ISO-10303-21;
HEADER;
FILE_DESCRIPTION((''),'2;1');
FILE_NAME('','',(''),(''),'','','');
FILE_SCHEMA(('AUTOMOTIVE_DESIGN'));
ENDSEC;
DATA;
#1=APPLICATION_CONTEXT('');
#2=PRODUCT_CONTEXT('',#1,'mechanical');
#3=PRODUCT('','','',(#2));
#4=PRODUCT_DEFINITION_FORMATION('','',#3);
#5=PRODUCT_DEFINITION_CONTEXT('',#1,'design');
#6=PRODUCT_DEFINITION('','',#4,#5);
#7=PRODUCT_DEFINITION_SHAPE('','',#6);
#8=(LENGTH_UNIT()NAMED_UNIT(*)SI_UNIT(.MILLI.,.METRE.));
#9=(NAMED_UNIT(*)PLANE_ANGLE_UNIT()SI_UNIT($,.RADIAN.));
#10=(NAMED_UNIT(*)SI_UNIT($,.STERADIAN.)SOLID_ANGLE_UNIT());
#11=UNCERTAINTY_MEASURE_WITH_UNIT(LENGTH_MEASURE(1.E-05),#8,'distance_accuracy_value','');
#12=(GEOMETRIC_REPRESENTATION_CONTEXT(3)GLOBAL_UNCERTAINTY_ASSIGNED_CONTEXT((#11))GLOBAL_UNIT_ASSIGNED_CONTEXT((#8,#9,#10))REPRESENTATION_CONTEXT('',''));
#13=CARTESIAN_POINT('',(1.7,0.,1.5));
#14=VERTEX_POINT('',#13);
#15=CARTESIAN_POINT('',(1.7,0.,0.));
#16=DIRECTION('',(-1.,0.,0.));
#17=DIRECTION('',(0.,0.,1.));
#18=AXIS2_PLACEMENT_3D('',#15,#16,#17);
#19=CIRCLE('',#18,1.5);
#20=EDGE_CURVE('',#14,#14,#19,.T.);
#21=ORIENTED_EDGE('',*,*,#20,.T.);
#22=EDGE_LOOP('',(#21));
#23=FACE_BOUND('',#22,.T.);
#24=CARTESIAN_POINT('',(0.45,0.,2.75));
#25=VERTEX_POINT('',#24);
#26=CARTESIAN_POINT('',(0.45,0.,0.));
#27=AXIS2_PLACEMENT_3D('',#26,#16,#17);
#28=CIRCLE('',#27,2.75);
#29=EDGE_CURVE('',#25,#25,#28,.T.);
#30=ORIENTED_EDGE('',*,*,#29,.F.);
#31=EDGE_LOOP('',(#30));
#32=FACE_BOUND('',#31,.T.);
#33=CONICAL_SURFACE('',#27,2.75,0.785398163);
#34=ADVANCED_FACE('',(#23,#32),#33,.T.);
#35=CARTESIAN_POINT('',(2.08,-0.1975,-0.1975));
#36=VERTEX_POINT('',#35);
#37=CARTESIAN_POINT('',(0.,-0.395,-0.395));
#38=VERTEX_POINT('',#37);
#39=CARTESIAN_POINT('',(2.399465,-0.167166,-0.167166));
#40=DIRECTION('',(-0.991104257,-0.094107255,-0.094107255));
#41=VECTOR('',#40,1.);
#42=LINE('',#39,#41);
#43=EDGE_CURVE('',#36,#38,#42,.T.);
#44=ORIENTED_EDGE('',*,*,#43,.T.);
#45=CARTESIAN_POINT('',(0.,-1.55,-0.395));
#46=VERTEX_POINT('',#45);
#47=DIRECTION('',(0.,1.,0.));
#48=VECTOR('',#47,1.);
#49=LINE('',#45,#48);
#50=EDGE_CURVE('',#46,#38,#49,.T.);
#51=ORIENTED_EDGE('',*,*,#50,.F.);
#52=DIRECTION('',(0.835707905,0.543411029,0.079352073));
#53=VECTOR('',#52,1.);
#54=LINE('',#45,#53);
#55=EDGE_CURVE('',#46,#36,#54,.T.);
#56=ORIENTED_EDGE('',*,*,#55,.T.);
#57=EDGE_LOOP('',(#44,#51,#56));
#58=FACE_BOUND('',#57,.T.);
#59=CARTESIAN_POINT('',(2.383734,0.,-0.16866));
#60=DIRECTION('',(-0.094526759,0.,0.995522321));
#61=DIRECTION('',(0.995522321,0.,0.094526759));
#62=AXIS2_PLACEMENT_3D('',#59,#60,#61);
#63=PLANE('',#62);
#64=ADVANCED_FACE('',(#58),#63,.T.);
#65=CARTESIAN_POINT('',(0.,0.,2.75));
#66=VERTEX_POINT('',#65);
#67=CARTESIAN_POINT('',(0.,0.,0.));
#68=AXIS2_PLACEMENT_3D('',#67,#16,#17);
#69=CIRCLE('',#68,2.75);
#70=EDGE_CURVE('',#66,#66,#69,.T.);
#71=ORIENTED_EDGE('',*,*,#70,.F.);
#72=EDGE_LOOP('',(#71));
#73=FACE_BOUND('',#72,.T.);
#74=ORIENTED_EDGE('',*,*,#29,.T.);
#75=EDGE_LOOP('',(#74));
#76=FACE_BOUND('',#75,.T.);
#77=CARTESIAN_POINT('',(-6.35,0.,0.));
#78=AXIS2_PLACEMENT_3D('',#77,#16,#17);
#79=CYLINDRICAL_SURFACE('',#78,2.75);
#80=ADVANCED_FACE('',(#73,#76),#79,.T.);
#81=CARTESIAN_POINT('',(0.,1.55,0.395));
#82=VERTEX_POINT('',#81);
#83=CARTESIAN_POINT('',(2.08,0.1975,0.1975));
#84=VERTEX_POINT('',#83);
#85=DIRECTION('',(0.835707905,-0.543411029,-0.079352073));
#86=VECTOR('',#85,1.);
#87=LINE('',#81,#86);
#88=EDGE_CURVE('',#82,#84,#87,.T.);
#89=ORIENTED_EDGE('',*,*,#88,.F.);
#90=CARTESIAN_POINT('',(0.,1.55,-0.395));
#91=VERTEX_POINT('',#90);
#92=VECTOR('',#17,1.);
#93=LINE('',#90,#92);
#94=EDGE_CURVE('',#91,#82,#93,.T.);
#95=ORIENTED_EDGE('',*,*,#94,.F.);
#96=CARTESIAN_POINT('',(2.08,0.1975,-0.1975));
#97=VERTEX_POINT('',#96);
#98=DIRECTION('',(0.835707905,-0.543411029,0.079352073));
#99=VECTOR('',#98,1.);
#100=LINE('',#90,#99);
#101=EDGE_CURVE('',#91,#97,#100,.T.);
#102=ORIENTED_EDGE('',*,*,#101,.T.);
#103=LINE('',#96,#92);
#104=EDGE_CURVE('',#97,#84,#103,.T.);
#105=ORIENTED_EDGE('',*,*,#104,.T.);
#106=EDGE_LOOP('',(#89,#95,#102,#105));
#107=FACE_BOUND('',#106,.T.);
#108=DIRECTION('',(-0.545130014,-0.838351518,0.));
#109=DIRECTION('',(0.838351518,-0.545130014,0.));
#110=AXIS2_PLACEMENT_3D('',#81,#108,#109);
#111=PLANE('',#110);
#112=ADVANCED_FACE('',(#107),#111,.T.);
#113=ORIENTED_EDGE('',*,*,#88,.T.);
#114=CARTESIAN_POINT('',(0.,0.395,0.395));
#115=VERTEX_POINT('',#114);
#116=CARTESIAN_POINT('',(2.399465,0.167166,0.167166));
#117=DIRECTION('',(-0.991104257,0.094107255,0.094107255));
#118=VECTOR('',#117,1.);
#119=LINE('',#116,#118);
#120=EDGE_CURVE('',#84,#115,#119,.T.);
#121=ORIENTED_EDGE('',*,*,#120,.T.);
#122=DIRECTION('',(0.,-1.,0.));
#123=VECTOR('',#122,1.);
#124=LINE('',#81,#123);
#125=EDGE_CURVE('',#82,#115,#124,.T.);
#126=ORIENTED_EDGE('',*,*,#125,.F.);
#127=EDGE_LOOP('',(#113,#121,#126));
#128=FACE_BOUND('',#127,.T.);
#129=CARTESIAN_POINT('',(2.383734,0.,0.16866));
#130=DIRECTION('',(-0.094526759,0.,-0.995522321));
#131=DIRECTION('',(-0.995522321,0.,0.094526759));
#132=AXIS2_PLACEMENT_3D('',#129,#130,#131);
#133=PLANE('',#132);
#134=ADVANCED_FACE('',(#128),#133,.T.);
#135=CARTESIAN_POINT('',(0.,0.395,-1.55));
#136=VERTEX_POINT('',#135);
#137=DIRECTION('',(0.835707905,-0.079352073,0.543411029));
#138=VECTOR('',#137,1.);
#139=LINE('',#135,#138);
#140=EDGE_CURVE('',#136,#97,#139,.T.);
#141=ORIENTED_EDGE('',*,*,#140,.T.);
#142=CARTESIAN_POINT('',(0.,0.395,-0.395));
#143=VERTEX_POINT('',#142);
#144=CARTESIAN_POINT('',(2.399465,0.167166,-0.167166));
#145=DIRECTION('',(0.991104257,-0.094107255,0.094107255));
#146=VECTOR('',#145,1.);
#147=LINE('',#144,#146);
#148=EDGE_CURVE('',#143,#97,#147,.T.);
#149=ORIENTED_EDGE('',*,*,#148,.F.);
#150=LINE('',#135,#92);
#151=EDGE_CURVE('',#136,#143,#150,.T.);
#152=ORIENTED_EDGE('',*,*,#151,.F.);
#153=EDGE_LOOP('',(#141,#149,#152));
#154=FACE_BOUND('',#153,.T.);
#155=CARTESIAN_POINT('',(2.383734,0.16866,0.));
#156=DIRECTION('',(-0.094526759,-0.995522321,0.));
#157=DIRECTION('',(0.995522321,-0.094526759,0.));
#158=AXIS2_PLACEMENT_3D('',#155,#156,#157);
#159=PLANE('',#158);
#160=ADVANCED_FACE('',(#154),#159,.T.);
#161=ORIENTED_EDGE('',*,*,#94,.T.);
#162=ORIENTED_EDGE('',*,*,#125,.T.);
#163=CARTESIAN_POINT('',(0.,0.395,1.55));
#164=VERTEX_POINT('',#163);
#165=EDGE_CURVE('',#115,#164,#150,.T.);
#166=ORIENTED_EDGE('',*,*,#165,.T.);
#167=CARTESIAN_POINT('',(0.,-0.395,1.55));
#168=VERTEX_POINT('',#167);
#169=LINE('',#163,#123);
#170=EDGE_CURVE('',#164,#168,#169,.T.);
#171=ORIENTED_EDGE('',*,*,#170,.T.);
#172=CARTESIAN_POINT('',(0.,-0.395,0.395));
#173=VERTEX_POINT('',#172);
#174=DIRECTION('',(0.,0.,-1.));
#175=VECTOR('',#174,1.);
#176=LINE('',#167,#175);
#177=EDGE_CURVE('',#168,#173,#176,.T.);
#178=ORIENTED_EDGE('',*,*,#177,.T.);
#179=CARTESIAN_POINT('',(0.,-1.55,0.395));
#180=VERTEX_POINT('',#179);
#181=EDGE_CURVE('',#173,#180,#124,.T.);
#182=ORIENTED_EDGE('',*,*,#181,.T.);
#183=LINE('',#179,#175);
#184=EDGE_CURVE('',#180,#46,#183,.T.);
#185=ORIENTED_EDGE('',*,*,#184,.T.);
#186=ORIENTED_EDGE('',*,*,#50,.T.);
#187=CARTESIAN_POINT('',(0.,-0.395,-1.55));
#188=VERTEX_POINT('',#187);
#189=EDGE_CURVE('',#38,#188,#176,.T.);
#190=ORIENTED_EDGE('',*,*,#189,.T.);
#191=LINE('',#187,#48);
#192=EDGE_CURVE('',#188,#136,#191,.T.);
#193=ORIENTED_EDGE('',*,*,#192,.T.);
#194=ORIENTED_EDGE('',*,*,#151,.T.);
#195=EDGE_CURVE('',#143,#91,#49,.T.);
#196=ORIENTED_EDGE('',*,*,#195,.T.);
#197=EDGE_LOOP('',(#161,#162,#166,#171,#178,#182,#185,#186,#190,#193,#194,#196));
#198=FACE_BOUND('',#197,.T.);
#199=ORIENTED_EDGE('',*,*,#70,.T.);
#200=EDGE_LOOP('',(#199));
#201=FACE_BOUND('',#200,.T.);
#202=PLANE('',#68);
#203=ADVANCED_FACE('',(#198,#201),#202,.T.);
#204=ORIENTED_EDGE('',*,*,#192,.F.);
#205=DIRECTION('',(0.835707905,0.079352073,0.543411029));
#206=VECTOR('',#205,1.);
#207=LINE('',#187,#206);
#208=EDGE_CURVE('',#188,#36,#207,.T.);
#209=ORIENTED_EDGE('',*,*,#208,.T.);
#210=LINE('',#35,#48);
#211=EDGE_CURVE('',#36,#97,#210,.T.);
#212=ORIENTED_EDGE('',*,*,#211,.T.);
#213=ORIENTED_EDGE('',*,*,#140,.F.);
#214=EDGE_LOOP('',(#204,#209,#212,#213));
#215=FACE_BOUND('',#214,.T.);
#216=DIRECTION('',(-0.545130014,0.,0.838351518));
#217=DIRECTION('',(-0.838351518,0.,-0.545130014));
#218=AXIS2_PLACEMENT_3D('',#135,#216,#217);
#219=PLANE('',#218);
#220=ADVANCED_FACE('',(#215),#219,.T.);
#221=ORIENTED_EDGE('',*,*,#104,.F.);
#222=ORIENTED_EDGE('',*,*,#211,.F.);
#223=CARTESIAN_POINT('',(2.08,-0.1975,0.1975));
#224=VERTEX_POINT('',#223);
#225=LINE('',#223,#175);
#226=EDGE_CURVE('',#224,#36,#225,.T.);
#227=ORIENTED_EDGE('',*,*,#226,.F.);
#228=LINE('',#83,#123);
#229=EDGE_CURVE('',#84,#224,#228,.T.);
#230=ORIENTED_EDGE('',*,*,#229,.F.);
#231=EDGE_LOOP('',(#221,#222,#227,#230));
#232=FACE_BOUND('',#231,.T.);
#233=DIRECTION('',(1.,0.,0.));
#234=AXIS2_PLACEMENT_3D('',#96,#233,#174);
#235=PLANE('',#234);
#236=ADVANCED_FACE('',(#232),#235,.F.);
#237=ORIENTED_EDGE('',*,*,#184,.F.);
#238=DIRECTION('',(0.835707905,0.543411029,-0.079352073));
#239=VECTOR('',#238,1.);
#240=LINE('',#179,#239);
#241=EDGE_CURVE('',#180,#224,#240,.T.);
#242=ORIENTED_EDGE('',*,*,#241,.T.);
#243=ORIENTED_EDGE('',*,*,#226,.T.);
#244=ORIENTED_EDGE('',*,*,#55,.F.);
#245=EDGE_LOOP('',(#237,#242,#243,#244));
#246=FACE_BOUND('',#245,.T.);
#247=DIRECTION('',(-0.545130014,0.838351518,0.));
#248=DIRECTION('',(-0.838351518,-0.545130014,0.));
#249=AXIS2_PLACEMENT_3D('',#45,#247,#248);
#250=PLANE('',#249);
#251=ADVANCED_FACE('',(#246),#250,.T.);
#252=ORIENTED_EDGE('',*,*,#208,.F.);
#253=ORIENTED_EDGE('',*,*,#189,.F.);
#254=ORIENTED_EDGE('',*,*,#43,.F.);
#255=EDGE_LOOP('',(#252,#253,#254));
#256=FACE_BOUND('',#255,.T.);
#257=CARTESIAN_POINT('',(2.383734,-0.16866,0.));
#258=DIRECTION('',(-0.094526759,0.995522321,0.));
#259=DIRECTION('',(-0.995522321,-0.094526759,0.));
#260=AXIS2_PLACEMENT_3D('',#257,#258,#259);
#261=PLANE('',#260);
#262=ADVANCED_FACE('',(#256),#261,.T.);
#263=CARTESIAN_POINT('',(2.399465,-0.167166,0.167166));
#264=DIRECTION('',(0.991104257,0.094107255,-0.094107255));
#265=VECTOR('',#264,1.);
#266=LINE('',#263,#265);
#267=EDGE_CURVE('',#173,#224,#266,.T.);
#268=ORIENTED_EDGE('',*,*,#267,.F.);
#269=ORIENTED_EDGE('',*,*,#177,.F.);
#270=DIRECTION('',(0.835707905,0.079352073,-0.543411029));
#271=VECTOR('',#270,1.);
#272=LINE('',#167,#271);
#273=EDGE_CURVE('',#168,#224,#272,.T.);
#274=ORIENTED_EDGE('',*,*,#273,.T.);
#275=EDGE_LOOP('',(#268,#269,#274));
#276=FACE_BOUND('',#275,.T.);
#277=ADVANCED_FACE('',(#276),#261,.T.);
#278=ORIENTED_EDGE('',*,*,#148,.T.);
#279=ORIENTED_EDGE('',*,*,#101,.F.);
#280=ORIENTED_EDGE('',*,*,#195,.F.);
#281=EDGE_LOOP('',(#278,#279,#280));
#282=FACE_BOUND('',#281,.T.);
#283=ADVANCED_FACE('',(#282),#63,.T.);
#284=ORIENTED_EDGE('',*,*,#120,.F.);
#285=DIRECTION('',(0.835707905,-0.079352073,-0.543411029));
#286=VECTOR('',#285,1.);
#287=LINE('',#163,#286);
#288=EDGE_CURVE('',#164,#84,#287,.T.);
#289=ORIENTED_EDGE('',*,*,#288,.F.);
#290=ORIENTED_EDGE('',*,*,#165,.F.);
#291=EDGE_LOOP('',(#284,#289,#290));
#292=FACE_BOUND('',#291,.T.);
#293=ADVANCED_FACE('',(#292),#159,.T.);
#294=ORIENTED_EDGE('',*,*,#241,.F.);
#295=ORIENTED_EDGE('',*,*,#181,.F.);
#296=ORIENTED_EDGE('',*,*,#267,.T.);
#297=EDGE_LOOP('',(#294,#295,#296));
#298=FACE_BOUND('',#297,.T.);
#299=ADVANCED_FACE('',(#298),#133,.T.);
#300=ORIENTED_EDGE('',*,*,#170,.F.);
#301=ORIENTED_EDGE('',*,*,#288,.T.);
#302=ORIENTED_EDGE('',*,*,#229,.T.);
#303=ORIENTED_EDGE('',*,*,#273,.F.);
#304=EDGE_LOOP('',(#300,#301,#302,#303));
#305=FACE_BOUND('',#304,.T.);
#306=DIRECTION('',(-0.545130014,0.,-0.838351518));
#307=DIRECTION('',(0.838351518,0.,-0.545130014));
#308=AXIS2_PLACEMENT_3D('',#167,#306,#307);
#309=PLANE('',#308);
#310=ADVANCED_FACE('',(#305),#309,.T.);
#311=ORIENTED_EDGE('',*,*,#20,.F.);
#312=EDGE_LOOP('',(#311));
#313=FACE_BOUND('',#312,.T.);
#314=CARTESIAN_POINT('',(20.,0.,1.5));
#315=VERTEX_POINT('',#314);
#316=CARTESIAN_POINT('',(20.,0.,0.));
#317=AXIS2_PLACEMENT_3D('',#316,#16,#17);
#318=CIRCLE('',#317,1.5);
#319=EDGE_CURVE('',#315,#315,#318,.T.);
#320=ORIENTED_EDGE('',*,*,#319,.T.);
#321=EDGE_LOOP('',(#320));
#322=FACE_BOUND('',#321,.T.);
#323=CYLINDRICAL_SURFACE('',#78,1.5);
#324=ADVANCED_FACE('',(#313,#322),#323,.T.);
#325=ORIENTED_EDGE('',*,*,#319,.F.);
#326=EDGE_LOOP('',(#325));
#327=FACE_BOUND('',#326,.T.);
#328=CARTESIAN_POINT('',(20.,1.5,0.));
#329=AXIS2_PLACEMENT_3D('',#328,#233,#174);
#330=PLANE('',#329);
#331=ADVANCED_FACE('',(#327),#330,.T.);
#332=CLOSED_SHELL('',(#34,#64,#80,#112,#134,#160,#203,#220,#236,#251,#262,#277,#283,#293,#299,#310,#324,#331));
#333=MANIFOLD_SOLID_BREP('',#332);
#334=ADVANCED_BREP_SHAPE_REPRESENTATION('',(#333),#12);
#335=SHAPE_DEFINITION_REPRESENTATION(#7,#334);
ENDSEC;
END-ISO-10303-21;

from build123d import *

# Parameters (mm, degrees)
SKETCH3_W         = 0.79
SKETCH3_H         = 3.1
SKETCH4_W         = 0.395
SKETCH4_H         = 0.395
CIRPATTERN1_COUNT = 2
CIRPATTERN1_ANGLE = 90


with BuildPart() as part:
    # BodySke → Base-Revolve (revolve)
    with BuildSketch(Plane.XY):
        Polygon((0, 0), (0, 2.75), (0.45, 2.75), (1.7, 1.5), (20, 1.5), (20, 0), align=None)
    revolve(axis=Axis((-6.35, 0, 0), (1, 0, 0)))

    # Sketch3 → Cross section 0
    with BuildSketch(Plane.ZY):
        Rectangle(SKETCH3_W, SKETCH3_H)
    # Sketch4 → Cross section 1
    with BuildSketch(Plane.ZY.offset(-2.08)):
        Rectangle(SKETCH4_W, SKETCH4_H)
    cross = loft(mode=Mode.SUBTRACT)

    # CirPattern1: Cross ×2 about axis
    cirpattern1_axis = Axis((0, 0, 0), (1, 0, 0))
    for i in range(1, CIRPATTERN1_COUNT):
        add(cross.rotate(cirpattern1_axis, i * CIRPATTERN1_ANGLE / (CIRPATTERN1_COUNT - 1)), mode=Mode.SUBTRACT)


solid = part.part
